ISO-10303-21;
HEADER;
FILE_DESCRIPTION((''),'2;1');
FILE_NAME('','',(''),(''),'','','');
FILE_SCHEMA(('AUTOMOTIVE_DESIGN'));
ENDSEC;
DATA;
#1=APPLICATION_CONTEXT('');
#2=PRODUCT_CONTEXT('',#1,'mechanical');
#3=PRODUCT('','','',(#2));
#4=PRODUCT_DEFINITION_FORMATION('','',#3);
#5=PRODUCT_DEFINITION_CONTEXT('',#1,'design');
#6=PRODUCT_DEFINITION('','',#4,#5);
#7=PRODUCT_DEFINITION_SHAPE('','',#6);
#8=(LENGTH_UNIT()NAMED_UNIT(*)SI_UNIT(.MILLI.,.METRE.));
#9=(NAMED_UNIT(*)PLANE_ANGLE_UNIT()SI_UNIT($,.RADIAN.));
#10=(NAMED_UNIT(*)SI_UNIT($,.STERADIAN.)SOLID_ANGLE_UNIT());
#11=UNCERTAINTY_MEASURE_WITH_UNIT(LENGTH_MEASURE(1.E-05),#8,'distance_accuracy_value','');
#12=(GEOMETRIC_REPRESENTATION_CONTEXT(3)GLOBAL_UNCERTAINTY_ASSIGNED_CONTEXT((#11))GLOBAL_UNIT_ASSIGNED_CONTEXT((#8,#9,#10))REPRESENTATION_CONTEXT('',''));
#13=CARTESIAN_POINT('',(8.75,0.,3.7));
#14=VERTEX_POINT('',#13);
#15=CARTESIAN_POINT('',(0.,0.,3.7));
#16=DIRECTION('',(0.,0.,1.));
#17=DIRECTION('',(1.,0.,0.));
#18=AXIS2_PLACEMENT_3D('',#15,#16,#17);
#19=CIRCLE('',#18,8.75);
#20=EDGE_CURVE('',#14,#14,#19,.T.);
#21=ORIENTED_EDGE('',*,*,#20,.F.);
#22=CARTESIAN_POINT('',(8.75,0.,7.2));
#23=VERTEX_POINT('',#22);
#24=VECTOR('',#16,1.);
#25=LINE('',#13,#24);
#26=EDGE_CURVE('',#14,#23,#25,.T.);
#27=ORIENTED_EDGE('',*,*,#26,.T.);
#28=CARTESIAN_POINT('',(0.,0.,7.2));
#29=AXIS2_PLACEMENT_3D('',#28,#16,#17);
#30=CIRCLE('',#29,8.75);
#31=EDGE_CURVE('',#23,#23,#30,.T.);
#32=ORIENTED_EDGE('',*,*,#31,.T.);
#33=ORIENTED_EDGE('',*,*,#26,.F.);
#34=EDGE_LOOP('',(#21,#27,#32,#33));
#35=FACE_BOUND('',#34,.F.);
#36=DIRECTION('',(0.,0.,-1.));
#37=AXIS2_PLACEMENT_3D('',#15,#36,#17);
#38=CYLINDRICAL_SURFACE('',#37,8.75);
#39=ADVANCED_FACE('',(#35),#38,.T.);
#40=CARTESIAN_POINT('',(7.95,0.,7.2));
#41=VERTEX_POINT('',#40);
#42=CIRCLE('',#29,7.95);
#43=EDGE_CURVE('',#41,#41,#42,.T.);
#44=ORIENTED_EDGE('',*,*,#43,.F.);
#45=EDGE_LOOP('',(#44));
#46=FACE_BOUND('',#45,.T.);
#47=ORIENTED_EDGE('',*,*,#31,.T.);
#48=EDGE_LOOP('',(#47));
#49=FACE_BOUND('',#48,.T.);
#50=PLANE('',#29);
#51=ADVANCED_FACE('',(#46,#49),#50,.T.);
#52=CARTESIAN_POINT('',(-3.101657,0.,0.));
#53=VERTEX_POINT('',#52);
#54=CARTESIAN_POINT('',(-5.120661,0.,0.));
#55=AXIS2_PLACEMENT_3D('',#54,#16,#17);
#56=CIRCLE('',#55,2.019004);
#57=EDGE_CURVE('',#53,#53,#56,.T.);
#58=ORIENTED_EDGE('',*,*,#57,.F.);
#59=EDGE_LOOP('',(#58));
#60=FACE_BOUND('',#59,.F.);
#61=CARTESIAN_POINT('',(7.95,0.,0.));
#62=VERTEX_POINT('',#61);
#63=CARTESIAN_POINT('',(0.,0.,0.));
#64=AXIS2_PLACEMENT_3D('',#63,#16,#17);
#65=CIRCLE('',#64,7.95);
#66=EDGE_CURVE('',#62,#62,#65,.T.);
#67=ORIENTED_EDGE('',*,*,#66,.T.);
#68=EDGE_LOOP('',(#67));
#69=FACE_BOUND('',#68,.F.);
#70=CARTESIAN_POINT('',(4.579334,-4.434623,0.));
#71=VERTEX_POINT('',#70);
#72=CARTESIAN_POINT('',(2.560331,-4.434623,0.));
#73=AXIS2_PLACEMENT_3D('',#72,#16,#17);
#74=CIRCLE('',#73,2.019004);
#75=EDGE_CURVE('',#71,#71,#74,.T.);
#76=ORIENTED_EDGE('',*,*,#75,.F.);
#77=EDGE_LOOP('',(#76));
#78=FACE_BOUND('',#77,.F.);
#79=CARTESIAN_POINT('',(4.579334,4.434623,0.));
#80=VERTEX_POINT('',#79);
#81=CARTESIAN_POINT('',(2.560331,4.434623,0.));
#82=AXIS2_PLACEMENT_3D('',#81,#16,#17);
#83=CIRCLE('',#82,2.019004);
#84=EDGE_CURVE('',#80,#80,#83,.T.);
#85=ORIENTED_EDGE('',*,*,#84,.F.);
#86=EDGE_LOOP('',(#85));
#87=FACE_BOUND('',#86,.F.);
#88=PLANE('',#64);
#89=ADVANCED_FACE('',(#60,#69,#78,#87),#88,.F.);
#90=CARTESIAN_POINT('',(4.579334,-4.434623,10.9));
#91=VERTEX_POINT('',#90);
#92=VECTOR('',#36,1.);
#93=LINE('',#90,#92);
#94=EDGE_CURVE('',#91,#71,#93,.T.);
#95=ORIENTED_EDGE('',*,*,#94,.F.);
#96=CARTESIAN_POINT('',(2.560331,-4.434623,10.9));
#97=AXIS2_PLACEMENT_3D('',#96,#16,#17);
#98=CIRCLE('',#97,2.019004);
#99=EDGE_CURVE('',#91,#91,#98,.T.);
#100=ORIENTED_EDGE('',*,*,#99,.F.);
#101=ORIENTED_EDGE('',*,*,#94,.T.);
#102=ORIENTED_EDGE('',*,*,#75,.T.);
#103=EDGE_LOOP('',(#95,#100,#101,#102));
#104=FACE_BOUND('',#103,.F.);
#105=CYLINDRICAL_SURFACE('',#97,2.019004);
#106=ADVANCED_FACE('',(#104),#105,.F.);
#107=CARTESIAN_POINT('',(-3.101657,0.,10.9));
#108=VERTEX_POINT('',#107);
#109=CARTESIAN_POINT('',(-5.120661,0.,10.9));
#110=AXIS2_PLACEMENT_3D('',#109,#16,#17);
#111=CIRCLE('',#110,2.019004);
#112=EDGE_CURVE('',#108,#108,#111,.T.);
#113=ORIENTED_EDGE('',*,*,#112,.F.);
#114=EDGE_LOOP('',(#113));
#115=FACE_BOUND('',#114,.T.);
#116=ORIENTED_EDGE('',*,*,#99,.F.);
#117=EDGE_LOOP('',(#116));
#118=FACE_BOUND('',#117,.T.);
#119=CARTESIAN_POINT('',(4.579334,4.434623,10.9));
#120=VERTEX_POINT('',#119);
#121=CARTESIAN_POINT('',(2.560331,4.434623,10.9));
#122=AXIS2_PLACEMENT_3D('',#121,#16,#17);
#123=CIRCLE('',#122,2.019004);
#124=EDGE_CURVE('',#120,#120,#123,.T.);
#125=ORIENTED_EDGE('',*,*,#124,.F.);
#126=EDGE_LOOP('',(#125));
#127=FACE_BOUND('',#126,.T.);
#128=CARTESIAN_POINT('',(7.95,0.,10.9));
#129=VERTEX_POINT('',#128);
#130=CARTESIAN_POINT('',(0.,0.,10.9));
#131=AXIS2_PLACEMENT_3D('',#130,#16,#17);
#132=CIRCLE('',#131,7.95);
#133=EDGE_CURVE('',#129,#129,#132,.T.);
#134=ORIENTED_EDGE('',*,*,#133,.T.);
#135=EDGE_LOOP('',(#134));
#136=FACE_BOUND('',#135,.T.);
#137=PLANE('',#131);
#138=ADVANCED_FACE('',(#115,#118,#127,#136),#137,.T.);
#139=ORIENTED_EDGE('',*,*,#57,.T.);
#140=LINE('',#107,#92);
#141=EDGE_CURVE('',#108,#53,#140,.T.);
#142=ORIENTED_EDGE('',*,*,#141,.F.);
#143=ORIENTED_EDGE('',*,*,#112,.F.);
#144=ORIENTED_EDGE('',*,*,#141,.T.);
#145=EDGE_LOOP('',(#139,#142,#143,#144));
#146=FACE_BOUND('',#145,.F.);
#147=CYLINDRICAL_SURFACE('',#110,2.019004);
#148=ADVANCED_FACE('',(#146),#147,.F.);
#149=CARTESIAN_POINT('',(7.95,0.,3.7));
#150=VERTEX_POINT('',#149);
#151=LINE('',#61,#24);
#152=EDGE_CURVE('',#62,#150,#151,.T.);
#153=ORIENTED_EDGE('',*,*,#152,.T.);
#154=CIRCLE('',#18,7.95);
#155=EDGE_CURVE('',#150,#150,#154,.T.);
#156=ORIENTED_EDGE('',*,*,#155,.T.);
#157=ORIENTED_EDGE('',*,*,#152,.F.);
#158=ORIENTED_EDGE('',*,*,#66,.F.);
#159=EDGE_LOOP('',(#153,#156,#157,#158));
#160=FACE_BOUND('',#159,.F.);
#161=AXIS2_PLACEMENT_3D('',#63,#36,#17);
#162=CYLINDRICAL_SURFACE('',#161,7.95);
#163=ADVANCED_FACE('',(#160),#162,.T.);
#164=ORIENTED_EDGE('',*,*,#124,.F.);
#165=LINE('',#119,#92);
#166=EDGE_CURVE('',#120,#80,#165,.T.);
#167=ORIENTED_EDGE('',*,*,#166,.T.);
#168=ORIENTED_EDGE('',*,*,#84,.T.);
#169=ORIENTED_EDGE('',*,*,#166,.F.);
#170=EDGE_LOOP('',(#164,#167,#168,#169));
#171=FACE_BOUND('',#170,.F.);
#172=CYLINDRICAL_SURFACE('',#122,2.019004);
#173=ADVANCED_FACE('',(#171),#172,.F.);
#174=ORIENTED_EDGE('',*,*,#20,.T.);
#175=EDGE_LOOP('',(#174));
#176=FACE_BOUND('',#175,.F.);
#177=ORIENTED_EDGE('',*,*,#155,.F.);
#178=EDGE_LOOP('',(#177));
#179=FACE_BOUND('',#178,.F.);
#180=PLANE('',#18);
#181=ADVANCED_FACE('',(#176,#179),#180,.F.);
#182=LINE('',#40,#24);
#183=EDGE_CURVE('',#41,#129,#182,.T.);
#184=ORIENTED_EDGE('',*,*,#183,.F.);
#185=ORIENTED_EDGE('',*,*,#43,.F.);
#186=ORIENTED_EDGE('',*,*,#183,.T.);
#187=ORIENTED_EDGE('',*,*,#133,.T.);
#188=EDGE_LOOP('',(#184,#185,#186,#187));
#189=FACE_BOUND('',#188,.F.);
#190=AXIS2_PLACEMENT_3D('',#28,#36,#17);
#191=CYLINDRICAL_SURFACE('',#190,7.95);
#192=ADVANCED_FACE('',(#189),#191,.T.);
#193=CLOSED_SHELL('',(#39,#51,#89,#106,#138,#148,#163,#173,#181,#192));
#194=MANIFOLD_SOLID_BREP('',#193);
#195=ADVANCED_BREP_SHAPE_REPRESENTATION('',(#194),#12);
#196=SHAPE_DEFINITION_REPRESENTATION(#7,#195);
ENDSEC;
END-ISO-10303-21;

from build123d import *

# Parameters (mm, degrees)
F0_R     = 7.95
F1_DEPTH = 3.7
F2_R     = 8.75
F3_DEPTH = 3.5
F4_R     = 7.95
F5_DEPTH = 3.7
F6_R     = 2.0190036786
F7_DEPTH = 10.901


with BuildPart() as f1:
    # F0 (on Top) → F1 (new body)
    with BuildSketch(Plane.XY):
        Circle(F0_R)
    extrude(amount=F1_DEPTH)

    # F2 (on face) → F3 (join)
    with BuildSketch(Plane.XY.offset(3.7)):
        Circle(F2_R)
    extrude(amount=F3_DEPTH)

    # F4 (on face) → F5 (join)
    with BuildSketch(Plane.XY.offset(7.2)):
        Circle(F4_R)
    extrude(amount=F5_DEPTH)

    # F6 (on face) → F7 (cut, through all)
    with BuildSketch(Plane.XY.offset(10.9)):
        with Locations((-5.1206611768, 0)):
            Circle(F6_R)
        with Locations((2.5603305884, -4.4346226633)):
            Circle(F6_R)
        with Locations((2.5603305884, 4.4346226633)):
            Circle(F6_R)
    extrude(amount=-F7_DEPTH, mode=Mode.SUBTRACT)


solid = f1.part
